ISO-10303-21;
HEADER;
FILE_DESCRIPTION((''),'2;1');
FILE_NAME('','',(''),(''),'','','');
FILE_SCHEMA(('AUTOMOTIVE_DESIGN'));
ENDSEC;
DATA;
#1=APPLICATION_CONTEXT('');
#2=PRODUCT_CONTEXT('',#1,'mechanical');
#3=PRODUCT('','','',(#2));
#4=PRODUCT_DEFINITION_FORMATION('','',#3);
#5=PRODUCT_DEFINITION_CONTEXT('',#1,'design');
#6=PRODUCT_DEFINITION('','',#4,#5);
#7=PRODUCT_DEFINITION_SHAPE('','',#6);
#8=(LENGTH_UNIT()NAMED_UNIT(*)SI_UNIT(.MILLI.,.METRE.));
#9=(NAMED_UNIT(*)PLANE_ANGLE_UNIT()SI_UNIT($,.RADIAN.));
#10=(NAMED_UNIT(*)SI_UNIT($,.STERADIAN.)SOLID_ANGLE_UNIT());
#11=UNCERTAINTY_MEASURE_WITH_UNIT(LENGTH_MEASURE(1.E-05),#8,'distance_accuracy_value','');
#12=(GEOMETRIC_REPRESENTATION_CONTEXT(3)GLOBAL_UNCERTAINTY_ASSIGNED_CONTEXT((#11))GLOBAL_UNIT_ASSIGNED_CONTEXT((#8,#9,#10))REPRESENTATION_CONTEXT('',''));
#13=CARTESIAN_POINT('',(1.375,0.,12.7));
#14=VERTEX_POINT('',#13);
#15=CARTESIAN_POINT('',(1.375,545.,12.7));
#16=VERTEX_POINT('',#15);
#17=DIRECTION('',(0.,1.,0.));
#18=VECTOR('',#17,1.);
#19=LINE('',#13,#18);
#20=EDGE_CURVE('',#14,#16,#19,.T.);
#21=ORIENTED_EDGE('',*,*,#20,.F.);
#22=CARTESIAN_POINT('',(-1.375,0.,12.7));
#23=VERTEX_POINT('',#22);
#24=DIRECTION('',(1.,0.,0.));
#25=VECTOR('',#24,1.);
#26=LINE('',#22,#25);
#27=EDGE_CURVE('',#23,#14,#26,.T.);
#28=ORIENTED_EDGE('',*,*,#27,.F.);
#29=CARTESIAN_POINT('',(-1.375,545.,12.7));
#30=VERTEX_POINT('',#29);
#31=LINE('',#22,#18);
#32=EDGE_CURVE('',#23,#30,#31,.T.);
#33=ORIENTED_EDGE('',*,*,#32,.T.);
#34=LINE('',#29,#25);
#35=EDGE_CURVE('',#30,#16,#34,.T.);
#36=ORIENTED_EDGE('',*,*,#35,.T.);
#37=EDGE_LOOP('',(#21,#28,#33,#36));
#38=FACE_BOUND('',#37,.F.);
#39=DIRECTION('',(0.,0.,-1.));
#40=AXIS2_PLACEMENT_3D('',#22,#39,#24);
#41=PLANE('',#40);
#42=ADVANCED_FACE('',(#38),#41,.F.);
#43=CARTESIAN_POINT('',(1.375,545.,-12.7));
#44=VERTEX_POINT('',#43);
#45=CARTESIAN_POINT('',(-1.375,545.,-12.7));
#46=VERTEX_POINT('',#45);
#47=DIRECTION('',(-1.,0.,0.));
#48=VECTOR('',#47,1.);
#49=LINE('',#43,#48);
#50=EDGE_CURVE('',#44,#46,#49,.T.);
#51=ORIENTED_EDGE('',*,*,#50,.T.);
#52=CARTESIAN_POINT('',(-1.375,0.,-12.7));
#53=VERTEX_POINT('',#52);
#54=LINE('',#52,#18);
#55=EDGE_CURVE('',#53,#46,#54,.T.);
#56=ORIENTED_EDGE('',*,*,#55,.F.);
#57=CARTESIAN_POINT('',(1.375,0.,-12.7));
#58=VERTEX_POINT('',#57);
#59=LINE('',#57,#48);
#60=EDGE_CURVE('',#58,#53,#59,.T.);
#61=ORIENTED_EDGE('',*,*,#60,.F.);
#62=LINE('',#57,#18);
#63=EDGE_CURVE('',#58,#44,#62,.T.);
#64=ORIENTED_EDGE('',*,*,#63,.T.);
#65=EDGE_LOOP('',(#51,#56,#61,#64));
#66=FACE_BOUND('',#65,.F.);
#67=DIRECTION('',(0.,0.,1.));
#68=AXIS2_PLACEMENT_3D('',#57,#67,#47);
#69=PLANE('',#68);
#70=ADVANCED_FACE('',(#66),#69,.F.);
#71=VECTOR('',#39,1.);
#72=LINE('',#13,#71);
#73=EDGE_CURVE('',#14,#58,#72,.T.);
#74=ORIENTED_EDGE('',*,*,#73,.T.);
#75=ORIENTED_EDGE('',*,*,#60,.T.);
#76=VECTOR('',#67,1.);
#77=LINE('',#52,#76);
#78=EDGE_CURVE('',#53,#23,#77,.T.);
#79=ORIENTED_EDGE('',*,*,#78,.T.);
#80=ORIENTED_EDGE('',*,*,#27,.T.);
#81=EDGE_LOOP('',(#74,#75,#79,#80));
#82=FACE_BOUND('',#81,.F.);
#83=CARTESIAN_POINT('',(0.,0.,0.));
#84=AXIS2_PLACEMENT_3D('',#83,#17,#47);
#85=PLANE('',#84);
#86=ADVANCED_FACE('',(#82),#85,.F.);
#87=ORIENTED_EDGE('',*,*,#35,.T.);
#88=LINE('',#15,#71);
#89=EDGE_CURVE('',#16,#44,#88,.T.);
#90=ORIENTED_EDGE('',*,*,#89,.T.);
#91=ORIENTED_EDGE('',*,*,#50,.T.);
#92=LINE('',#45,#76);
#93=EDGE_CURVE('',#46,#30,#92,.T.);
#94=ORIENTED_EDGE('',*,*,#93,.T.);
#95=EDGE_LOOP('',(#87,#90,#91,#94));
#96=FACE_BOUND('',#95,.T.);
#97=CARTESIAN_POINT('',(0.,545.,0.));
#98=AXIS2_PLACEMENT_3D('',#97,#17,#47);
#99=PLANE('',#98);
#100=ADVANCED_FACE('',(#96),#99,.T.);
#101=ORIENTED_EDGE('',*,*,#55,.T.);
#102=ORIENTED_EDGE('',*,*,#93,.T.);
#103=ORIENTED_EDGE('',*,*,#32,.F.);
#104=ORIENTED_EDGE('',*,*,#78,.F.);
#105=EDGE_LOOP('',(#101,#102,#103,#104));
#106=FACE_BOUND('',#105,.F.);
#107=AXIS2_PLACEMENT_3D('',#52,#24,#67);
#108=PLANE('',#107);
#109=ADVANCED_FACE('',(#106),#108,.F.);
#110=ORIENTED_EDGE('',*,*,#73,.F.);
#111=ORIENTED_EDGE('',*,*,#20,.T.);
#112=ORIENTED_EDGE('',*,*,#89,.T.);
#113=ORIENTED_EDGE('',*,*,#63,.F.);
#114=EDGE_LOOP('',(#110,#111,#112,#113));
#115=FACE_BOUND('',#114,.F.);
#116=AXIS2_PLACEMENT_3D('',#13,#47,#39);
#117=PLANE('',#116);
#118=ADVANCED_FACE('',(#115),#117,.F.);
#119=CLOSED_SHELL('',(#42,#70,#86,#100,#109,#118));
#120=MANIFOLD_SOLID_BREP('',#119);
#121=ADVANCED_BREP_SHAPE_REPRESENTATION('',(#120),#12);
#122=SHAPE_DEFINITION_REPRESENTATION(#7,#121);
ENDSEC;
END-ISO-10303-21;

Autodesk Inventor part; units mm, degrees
ref_plane "YZ Plane" through (0, 0, 0) normal (1, 0, 0) x (0, 1, 0)
ref_plane "XZ Plane" through (0, 0, 0) normal (0, 1, 0) x (-1, 0, 0)
ref_plane "XY Plane" through (0, 0, 0) normal (0, 0, 1) x (1, 0, 0)
sketch "Sketch1" plane through (0, 0, 0) normal (0, 1, 0) x (-1, 0, 0)
  line L0 (1.375, 12.7) -> (-1.375, 12.7)
  line L1 (-1.375, 12.7) -> (-1.375, -12.7)
  line L2 (-1.375, -12.7) -> (1.375, -12.7)
  line L3 (1.375, -12.7) -> (1.375, 12.7)
  line L4 (1.375, 12.7) -> (-1.375, -12.7) construction
  line L5 (-1.375, 12.7) -> (1.375, -12.7) construction
  point P0 (0, 0)
  dimension "d0" = 2.75
  dimension "d1" = 25.4
extrude "Extrusion1" add sketch "Sketch1" along normal blind 545
properties part number "PLETINA PARA CAJA"
